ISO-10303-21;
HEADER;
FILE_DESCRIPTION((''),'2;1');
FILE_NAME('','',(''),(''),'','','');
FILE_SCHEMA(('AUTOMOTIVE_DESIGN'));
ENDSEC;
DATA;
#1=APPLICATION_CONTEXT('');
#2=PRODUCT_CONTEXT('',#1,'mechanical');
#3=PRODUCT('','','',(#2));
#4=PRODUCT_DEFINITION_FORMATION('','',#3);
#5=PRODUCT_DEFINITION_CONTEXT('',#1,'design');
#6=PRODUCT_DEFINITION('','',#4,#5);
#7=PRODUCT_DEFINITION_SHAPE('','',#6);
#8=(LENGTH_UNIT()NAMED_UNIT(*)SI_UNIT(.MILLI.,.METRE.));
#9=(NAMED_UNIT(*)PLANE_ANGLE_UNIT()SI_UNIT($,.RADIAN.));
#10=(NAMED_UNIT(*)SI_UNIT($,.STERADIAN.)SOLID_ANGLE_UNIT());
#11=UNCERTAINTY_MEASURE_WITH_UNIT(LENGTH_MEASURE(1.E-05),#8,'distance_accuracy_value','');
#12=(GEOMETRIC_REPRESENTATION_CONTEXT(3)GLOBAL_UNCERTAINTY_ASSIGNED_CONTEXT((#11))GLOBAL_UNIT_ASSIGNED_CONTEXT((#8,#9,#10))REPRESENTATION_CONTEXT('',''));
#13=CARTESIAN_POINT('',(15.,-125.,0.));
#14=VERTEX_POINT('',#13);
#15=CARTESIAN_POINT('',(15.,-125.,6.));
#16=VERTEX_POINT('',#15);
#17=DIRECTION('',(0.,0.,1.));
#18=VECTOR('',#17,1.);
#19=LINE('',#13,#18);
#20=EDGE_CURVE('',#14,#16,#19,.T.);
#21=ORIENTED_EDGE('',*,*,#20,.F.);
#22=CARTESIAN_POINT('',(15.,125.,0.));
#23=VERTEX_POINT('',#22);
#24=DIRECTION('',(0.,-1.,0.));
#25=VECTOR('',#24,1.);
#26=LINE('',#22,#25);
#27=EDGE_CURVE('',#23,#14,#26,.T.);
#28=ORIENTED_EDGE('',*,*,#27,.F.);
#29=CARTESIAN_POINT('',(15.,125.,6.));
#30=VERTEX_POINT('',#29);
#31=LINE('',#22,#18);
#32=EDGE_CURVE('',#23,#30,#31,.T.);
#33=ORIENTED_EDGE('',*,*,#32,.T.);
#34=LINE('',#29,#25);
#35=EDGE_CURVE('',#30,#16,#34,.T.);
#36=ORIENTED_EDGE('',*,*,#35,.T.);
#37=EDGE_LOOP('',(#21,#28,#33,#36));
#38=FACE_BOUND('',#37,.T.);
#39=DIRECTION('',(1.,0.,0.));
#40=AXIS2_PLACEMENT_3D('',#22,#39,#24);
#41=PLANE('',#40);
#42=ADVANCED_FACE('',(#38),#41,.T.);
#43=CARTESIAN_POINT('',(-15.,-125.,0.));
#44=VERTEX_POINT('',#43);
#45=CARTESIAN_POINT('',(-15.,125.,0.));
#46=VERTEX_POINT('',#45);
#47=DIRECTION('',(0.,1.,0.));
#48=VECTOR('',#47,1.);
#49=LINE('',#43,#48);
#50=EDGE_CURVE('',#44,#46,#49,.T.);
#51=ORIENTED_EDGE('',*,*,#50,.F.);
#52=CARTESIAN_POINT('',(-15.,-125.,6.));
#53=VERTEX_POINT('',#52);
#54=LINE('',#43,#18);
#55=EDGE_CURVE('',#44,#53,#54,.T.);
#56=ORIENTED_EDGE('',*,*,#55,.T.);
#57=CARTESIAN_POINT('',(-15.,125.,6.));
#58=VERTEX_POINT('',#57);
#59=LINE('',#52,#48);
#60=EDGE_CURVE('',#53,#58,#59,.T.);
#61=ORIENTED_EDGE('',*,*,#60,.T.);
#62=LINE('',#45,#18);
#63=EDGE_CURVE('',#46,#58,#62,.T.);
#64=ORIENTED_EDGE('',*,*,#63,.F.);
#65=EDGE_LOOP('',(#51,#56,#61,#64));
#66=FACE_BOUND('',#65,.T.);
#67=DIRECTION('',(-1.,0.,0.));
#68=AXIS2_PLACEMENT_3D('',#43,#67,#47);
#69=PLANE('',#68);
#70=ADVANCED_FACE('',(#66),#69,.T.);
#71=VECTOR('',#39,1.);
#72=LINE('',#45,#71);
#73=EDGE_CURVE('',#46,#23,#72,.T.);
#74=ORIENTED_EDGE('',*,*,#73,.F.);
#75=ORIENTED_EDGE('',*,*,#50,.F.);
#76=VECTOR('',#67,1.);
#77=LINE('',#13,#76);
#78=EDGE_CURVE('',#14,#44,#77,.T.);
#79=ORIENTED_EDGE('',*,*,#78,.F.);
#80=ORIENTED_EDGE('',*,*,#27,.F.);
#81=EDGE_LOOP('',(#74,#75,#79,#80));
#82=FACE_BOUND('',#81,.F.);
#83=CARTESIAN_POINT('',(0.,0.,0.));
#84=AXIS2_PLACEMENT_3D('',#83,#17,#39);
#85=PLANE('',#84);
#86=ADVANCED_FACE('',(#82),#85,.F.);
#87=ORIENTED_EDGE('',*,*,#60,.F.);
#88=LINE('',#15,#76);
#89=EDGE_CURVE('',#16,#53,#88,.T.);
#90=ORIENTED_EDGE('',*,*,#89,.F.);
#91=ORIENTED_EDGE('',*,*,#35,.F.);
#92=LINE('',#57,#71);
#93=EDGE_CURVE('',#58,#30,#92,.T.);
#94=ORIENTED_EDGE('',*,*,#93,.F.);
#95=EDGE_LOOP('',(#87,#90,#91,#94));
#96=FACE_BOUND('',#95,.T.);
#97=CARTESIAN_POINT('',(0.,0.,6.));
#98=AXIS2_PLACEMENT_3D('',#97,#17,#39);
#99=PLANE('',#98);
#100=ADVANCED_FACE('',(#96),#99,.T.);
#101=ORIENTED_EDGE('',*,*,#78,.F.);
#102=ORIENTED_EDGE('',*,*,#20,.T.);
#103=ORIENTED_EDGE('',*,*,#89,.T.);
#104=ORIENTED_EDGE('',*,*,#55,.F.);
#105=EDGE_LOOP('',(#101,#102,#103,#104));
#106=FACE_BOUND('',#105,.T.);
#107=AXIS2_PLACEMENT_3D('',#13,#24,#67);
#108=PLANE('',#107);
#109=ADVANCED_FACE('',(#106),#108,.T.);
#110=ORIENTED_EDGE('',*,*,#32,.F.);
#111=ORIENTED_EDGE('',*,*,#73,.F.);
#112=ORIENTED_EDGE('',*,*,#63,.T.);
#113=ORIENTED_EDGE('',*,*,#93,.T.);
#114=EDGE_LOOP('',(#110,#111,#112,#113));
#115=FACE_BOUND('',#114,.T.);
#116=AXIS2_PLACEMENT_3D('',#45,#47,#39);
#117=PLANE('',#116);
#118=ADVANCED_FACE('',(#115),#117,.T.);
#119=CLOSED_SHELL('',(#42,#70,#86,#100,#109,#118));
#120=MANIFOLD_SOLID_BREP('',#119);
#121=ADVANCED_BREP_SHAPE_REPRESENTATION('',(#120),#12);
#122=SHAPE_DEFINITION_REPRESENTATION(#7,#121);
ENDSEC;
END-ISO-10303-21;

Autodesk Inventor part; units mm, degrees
ref_plane "YZ Plane" through (0, 0, 0) normal (1, 0, 0) x (0, 1, 0)
ref_plane "XZ Plane" through (0, 0, 0) normal (0, 1, 0) x (-1, 0, 0)
ref_plane "XY Plane" through (0, 0, 0) normal (0, 0, 1) x (1, 0, 0)
sketch "스케치1" plane through (0, 0, 0) normal (0, 0, 1) x (1, 0, 0)
  line L0 (15, -125) -> (-15, -125)
  line L1 (-15, -125) -> (-15, 125)
  line L2 (-15, 125) -> (15, 125)
  line L3 (15, 125) -> (15, -125)
  line L4 (15, -125) -> (-15, 125) construction
  line L5 (-15, -125) -> (15, 125) construction
  point P0 (0, 0)
  dimension "d0" = 30
  dimension "d1" = 250
extrude "돌출1" add sketch "스케치1" along normal blind 6
properties part number "240626_tablep2"
